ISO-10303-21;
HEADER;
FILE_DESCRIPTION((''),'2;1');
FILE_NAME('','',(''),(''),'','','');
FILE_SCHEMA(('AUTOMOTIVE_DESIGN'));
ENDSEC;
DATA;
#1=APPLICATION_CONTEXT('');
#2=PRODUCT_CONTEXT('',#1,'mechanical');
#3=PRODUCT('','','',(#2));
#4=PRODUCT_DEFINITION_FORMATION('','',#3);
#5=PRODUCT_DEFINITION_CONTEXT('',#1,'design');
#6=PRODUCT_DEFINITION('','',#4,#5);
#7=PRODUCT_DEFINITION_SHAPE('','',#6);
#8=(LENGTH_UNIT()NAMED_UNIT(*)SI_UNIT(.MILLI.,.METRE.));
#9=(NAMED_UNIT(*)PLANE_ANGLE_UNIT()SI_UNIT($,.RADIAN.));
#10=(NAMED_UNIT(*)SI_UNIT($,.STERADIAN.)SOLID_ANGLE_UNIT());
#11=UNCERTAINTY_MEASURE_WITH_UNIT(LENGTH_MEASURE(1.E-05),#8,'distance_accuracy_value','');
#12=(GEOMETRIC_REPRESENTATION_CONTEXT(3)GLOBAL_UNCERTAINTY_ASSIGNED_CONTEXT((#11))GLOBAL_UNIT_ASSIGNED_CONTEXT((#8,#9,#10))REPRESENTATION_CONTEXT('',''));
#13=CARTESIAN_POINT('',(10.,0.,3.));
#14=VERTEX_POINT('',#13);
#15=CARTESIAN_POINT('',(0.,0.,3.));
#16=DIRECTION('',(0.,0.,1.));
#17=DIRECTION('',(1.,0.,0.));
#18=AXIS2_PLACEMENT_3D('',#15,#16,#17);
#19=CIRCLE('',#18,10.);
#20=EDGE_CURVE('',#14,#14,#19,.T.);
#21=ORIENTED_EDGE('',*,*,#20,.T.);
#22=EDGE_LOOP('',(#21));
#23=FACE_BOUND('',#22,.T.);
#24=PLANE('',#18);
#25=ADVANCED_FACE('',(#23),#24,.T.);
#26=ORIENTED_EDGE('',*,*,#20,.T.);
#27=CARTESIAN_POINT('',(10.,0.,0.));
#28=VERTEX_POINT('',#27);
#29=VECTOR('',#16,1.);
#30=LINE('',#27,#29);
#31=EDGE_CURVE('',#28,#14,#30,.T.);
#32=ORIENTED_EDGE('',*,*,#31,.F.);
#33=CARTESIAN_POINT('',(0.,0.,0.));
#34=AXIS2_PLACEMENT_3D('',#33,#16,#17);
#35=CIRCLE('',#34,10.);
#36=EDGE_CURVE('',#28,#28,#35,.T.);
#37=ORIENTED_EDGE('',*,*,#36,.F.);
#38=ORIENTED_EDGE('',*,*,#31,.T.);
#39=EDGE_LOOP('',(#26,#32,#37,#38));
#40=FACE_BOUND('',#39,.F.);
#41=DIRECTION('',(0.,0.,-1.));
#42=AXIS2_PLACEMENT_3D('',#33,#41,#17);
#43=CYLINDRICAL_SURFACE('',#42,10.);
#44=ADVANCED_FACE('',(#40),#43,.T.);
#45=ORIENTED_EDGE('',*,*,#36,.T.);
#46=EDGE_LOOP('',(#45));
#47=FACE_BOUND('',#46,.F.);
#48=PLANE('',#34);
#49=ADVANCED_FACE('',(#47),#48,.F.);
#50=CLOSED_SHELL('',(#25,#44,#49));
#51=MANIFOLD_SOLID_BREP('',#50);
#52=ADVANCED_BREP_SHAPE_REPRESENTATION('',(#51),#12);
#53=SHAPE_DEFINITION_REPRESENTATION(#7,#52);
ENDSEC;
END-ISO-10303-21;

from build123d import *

# Parameters (mm, degrees)
SKETCH_R      = 10
EXTRUDE_DEPTH = 3


with BuildPart() as part:
    # Sketch → Extrude (new body)
    with BuildSketch(Plane.XY):
        Circle(SKETCH_R)
    extrude(amount=EXTRUDE_DEPTH)


solid = part.part
